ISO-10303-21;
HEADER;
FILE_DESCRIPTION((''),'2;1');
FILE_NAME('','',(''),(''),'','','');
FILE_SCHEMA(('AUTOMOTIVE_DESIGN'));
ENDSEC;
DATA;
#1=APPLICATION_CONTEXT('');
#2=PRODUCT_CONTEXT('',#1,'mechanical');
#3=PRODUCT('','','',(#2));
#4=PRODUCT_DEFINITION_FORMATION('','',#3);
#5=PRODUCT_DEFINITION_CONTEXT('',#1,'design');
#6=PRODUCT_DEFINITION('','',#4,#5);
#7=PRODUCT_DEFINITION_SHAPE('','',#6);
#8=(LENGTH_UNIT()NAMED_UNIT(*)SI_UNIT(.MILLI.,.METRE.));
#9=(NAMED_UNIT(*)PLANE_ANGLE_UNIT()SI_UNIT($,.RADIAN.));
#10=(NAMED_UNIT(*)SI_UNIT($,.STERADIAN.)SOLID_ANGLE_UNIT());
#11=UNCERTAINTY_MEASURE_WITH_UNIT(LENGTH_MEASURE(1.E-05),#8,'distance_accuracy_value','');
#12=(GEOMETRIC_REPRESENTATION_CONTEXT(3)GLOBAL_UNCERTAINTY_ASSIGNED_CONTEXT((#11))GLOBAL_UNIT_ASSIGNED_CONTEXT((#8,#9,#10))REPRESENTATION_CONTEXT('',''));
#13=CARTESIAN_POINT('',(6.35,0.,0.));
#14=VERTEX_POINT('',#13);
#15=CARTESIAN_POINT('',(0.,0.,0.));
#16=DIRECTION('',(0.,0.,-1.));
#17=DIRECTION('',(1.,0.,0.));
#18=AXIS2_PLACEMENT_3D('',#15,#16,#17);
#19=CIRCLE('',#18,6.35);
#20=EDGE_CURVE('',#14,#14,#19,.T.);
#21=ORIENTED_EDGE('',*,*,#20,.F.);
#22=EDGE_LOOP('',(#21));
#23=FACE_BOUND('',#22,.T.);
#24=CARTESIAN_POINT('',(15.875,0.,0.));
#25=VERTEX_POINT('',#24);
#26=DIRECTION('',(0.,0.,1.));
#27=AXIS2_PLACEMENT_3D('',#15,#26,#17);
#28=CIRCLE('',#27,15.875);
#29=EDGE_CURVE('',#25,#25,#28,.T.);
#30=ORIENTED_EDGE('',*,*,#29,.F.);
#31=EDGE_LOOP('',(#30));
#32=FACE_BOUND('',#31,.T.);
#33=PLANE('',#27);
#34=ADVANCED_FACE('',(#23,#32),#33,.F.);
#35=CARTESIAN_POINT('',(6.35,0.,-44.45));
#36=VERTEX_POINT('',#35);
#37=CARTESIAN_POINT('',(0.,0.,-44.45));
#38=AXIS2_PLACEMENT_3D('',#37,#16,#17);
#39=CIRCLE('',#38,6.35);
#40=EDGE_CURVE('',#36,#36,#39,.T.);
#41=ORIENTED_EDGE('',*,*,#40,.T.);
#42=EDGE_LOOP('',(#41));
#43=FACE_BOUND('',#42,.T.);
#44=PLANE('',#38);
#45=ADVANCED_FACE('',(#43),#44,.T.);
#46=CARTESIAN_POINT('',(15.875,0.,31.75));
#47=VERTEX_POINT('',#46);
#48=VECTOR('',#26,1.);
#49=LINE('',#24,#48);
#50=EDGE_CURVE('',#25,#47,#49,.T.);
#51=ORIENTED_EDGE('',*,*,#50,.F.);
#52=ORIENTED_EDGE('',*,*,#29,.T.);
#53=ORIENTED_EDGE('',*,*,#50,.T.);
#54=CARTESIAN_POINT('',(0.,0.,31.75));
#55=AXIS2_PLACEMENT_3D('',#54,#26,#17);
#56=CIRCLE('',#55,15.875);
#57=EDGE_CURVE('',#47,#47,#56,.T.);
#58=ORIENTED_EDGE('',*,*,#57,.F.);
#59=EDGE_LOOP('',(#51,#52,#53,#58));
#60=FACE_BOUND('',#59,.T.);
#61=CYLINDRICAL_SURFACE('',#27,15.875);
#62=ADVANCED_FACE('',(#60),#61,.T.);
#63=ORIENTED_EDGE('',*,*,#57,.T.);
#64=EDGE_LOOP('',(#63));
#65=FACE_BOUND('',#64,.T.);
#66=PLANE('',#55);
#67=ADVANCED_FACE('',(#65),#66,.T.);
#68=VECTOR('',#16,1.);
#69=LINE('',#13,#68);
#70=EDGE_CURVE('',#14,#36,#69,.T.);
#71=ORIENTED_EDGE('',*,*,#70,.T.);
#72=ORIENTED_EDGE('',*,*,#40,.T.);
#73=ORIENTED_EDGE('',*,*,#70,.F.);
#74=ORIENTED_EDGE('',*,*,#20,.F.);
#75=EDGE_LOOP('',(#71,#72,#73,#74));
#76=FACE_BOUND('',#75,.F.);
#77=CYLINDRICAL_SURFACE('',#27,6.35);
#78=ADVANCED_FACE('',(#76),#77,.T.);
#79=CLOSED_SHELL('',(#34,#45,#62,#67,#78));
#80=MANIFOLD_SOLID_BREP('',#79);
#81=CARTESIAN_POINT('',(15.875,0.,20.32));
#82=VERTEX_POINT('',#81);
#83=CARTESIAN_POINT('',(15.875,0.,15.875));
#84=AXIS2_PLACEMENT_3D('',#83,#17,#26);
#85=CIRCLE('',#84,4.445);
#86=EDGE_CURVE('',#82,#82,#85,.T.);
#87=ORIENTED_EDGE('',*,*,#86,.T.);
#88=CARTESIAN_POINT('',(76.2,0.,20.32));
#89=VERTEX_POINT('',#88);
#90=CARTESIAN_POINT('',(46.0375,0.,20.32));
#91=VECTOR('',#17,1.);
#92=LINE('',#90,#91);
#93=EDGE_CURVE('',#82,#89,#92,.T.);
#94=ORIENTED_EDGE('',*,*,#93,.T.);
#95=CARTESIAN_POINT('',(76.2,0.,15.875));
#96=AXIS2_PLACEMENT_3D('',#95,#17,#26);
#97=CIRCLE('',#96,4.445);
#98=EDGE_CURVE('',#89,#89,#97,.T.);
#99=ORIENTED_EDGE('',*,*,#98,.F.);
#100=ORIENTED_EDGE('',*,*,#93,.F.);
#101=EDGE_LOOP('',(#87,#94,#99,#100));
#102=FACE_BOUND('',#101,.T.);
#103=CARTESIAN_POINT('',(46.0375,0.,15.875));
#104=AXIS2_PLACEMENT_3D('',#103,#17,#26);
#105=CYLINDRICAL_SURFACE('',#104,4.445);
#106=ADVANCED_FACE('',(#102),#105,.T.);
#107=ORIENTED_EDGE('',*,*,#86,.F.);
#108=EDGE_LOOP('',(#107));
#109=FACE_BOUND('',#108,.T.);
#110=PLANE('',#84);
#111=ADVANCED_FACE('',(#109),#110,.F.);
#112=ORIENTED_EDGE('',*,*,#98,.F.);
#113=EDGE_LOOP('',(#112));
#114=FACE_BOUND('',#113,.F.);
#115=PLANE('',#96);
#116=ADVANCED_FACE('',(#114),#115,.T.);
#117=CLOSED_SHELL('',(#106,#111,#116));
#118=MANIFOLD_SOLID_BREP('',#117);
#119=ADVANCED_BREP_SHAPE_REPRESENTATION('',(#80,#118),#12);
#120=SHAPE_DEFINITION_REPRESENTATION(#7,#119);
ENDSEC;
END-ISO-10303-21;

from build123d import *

# Parameters (mm, degrees)
F0_W     = 60.325
F0_H     = 4.445
F3_R     = 6.35
F4_DEPTH = 44.45


with BuildPart() as f1:
    # F0 (on Front) → F1 (revolve)
    with BuildSketch(Plane.XZ):
        Polygon((0, 31.75), (0, 0), (15.875, 0), (15.875, 15.875), (15.875, 20.32), (15.875, 31.75), align=None)
    revolve(axis=Axis((0, 0, 15.875), (0, 0, 1)))

    # F3 (on face) → F4 (join)
    with BuildSketch(Plane(origin=(0, 0, 0), x_dir=(1, 0, 0), z_dir=(0, 0, -1))):
        Circle(F3_R)
    extrude(amount=F4_DEPTH)


with BuildPart() as f2:
    # F0 (on Front) → F2 (revolve)
    with BuildSketch(Plane.XZ):
        with Locations((46.0375, 18.0975)):
            Rectangle(F0_W, F0_H)
    revolve(axis=Axis((46.0375, 0, 15.875), (1, 0, 0)))


solid = Compound([f1.part, f2.part])
